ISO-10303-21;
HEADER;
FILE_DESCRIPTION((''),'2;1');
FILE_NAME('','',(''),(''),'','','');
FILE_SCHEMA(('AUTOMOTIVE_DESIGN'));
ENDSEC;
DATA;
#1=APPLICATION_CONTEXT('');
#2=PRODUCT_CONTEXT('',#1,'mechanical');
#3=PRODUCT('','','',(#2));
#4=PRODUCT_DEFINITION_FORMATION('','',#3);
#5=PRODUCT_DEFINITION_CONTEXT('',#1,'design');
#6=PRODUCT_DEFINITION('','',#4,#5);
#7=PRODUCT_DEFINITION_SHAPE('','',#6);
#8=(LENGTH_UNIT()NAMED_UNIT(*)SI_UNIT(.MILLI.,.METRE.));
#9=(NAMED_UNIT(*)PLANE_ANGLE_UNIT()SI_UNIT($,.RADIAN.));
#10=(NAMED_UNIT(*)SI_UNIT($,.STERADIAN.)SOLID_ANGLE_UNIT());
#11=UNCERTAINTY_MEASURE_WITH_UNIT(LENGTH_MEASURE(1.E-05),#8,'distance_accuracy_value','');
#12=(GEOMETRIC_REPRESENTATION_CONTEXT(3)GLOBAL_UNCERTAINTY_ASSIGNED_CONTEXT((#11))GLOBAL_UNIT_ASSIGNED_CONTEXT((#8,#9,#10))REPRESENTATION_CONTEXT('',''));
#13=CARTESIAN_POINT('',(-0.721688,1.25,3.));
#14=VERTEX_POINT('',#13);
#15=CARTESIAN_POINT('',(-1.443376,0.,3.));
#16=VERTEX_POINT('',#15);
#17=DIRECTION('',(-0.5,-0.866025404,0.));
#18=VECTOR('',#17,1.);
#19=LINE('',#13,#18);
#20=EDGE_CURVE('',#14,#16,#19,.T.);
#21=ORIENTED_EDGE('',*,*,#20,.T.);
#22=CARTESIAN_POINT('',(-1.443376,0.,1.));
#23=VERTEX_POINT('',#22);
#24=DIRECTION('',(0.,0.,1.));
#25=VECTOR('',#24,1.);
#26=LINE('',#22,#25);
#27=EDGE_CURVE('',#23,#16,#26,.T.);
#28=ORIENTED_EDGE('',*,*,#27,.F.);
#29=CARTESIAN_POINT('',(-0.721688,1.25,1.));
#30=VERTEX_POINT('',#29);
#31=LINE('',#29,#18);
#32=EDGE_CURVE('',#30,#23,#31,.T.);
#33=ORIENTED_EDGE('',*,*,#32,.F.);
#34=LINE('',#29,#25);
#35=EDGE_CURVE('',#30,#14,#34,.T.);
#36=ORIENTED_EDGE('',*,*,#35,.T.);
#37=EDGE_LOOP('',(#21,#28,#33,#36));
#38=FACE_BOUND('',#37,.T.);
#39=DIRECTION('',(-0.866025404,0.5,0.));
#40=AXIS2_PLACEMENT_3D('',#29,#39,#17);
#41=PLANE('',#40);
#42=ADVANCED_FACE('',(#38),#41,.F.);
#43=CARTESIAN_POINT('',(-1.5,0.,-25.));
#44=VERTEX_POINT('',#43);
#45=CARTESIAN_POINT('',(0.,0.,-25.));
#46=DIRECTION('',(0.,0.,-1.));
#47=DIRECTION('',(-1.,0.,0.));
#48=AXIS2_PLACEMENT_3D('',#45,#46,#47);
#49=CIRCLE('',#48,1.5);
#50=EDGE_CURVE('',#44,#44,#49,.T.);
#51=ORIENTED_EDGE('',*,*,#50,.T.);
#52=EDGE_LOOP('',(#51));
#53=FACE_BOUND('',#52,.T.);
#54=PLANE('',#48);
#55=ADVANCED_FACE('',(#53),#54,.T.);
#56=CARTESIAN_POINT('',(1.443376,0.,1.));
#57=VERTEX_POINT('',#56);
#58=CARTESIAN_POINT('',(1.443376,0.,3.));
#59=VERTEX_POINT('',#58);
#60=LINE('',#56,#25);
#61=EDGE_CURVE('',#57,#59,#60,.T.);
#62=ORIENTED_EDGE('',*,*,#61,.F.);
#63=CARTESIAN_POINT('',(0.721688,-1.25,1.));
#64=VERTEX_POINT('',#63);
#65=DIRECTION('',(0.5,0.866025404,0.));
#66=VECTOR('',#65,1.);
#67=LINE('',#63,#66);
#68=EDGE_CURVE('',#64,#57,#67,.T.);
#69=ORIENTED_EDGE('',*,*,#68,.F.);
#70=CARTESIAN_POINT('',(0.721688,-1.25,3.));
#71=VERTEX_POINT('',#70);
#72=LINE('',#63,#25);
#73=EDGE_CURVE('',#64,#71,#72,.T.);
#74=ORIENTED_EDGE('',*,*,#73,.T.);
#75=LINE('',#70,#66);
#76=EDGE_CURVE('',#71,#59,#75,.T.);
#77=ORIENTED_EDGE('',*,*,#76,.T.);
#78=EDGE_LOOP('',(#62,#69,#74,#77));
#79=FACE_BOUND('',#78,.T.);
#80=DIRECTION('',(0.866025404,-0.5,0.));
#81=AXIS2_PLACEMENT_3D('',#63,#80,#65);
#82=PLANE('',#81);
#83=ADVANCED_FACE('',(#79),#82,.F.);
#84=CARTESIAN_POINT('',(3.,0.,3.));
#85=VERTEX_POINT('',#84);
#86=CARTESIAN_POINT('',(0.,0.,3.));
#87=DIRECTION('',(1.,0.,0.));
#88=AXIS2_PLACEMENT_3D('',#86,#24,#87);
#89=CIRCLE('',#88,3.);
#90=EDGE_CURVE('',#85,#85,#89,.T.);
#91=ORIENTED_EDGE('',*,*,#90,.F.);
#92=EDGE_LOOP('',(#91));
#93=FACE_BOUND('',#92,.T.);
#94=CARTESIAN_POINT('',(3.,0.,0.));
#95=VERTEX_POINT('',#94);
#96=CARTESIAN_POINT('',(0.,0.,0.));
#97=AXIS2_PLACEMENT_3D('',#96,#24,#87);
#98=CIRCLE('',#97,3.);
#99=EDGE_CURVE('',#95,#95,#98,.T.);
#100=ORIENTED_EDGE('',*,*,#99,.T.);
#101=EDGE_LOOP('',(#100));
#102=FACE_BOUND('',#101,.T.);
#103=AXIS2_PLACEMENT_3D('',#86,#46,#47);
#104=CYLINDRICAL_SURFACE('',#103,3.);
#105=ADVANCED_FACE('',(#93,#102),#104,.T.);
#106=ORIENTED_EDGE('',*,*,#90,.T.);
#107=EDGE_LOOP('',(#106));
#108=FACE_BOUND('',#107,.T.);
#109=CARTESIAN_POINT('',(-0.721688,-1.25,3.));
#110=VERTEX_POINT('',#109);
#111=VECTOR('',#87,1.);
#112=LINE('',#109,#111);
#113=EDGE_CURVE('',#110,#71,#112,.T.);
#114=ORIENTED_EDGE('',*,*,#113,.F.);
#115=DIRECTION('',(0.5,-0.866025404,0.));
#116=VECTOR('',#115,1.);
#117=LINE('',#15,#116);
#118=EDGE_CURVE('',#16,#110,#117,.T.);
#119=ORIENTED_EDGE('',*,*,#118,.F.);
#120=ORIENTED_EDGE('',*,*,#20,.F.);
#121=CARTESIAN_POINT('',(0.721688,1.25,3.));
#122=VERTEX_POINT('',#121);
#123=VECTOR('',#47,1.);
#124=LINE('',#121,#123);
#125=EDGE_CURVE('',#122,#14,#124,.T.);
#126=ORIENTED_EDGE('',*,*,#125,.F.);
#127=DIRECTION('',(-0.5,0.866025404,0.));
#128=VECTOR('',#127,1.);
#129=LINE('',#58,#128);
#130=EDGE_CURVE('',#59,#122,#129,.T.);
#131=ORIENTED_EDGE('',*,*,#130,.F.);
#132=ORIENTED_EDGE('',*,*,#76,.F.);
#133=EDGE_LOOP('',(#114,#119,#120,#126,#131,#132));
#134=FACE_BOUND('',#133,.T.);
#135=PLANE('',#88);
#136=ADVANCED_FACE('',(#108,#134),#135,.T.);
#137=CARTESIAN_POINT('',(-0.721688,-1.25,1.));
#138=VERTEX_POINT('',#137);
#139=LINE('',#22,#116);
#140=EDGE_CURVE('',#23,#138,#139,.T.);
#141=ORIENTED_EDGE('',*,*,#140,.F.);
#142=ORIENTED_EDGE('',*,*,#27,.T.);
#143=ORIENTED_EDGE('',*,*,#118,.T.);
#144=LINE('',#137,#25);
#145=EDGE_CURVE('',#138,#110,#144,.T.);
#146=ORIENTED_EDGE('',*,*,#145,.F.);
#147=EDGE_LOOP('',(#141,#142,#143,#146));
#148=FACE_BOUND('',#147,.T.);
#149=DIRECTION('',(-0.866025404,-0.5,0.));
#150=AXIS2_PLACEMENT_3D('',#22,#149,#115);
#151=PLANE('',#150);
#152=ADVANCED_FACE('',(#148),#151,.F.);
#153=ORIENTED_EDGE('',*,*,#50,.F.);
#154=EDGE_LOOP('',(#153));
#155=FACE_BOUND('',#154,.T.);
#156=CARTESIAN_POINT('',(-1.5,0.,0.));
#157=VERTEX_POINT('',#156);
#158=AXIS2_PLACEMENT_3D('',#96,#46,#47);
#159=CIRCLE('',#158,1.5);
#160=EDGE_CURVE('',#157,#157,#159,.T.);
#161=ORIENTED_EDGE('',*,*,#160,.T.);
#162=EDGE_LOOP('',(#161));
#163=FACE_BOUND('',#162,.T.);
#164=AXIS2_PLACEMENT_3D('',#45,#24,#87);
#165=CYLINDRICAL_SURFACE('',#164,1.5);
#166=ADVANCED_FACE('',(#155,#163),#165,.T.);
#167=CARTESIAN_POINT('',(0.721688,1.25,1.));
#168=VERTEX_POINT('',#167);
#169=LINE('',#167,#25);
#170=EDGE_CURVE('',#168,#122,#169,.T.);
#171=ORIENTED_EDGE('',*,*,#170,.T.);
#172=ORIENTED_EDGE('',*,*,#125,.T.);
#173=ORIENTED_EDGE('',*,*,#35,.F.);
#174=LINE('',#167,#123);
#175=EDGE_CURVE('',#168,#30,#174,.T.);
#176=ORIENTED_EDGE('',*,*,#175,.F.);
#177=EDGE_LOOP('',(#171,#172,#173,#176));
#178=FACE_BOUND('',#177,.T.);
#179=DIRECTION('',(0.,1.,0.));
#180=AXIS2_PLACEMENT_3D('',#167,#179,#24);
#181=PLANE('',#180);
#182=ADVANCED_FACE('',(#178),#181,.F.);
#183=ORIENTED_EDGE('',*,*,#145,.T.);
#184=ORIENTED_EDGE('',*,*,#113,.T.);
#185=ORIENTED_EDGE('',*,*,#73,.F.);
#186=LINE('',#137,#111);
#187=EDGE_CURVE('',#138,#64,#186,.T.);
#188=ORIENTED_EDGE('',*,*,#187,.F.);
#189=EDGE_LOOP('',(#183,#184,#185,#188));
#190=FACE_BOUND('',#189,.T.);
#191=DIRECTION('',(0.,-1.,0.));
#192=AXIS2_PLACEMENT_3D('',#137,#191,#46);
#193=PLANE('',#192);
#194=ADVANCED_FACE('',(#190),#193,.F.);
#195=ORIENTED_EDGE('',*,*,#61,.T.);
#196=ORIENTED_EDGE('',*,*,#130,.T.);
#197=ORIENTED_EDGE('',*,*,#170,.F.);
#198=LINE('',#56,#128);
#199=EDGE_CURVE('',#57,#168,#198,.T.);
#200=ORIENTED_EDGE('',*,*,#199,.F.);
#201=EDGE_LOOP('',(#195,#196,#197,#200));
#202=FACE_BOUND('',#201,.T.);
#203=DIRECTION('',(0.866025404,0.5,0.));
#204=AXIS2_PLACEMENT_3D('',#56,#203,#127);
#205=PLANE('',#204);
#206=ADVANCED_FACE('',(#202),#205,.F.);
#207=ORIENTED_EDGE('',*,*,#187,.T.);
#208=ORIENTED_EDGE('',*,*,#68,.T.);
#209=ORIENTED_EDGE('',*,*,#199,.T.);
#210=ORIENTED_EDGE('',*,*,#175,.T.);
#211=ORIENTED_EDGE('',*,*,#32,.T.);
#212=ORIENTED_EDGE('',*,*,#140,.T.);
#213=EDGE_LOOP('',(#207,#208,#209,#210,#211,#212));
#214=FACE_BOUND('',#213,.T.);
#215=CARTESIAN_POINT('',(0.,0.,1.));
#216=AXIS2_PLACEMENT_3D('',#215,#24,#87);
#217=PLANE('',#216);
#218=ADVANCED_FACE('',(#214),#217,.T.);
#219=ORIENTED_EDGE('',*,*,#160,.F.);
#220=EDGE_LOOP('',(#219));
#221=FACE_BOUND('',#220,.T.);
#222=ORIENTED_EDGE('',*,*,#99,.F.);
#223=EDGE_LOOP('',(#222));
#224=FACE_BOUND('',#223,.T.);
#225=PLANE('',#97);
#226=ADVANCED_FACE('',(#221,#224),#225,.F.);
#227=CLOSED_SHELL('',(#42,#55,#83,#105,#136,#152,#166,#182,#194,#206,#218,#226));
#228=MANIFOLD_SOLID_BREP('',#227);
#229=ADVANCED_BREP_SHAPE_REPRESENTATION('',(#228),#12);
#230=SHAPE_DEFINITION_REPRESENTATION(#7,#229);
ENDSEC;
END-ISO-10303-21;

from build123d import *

# Parameters (mm, degrees)
SKETCH_5_R          = 3
EXTRUDE_1_DEPTH     = 3
CUT_EXTRUDE_1_DEPTH = 2
SKETCH_7_R          = 1.5
EXTRUDE_2_DEPTH     = 25


with BuildPart() as part:
    # ｽｹｯﾁ5 → ﾎﾞｽ - 押し出し1 (new body)
    with BuildSketch(Plane.XY):
        Circle(SKETCH_5_R)
    extrude(amount=EXTRUDE_1_DEPTH)

    # ｽｹｯﾁ6 → ｶｯﾄ - 押し出し1 (cut)
    with BuildSketch(Plane.XY.offset(3)):
        Polygon((1.443375673, 0), (0.721687836, 1.25), (-0.721687836, 1.25), (-1.443375673, 0), (-0.721687836, -1.25), (0.721687836, -1.25), align=None)
    extrude(amount=-CUT_EXTRUDE_1_DEPTH, mode=Mode.SUBTRACT)

    # ｽｹｯﾁ7 → ﾎﾞｽ - 押し出し2 (add)
    with BuildSketch(Plane(origin=(0, 0, 0), x_dir=(-1, 0, 0), z_dir=(0, 0, -1))):
        Circle(SKETCH_7_R)
    extrude(amount=EXTRUDE_2_DEPTH)


solid = part.part
